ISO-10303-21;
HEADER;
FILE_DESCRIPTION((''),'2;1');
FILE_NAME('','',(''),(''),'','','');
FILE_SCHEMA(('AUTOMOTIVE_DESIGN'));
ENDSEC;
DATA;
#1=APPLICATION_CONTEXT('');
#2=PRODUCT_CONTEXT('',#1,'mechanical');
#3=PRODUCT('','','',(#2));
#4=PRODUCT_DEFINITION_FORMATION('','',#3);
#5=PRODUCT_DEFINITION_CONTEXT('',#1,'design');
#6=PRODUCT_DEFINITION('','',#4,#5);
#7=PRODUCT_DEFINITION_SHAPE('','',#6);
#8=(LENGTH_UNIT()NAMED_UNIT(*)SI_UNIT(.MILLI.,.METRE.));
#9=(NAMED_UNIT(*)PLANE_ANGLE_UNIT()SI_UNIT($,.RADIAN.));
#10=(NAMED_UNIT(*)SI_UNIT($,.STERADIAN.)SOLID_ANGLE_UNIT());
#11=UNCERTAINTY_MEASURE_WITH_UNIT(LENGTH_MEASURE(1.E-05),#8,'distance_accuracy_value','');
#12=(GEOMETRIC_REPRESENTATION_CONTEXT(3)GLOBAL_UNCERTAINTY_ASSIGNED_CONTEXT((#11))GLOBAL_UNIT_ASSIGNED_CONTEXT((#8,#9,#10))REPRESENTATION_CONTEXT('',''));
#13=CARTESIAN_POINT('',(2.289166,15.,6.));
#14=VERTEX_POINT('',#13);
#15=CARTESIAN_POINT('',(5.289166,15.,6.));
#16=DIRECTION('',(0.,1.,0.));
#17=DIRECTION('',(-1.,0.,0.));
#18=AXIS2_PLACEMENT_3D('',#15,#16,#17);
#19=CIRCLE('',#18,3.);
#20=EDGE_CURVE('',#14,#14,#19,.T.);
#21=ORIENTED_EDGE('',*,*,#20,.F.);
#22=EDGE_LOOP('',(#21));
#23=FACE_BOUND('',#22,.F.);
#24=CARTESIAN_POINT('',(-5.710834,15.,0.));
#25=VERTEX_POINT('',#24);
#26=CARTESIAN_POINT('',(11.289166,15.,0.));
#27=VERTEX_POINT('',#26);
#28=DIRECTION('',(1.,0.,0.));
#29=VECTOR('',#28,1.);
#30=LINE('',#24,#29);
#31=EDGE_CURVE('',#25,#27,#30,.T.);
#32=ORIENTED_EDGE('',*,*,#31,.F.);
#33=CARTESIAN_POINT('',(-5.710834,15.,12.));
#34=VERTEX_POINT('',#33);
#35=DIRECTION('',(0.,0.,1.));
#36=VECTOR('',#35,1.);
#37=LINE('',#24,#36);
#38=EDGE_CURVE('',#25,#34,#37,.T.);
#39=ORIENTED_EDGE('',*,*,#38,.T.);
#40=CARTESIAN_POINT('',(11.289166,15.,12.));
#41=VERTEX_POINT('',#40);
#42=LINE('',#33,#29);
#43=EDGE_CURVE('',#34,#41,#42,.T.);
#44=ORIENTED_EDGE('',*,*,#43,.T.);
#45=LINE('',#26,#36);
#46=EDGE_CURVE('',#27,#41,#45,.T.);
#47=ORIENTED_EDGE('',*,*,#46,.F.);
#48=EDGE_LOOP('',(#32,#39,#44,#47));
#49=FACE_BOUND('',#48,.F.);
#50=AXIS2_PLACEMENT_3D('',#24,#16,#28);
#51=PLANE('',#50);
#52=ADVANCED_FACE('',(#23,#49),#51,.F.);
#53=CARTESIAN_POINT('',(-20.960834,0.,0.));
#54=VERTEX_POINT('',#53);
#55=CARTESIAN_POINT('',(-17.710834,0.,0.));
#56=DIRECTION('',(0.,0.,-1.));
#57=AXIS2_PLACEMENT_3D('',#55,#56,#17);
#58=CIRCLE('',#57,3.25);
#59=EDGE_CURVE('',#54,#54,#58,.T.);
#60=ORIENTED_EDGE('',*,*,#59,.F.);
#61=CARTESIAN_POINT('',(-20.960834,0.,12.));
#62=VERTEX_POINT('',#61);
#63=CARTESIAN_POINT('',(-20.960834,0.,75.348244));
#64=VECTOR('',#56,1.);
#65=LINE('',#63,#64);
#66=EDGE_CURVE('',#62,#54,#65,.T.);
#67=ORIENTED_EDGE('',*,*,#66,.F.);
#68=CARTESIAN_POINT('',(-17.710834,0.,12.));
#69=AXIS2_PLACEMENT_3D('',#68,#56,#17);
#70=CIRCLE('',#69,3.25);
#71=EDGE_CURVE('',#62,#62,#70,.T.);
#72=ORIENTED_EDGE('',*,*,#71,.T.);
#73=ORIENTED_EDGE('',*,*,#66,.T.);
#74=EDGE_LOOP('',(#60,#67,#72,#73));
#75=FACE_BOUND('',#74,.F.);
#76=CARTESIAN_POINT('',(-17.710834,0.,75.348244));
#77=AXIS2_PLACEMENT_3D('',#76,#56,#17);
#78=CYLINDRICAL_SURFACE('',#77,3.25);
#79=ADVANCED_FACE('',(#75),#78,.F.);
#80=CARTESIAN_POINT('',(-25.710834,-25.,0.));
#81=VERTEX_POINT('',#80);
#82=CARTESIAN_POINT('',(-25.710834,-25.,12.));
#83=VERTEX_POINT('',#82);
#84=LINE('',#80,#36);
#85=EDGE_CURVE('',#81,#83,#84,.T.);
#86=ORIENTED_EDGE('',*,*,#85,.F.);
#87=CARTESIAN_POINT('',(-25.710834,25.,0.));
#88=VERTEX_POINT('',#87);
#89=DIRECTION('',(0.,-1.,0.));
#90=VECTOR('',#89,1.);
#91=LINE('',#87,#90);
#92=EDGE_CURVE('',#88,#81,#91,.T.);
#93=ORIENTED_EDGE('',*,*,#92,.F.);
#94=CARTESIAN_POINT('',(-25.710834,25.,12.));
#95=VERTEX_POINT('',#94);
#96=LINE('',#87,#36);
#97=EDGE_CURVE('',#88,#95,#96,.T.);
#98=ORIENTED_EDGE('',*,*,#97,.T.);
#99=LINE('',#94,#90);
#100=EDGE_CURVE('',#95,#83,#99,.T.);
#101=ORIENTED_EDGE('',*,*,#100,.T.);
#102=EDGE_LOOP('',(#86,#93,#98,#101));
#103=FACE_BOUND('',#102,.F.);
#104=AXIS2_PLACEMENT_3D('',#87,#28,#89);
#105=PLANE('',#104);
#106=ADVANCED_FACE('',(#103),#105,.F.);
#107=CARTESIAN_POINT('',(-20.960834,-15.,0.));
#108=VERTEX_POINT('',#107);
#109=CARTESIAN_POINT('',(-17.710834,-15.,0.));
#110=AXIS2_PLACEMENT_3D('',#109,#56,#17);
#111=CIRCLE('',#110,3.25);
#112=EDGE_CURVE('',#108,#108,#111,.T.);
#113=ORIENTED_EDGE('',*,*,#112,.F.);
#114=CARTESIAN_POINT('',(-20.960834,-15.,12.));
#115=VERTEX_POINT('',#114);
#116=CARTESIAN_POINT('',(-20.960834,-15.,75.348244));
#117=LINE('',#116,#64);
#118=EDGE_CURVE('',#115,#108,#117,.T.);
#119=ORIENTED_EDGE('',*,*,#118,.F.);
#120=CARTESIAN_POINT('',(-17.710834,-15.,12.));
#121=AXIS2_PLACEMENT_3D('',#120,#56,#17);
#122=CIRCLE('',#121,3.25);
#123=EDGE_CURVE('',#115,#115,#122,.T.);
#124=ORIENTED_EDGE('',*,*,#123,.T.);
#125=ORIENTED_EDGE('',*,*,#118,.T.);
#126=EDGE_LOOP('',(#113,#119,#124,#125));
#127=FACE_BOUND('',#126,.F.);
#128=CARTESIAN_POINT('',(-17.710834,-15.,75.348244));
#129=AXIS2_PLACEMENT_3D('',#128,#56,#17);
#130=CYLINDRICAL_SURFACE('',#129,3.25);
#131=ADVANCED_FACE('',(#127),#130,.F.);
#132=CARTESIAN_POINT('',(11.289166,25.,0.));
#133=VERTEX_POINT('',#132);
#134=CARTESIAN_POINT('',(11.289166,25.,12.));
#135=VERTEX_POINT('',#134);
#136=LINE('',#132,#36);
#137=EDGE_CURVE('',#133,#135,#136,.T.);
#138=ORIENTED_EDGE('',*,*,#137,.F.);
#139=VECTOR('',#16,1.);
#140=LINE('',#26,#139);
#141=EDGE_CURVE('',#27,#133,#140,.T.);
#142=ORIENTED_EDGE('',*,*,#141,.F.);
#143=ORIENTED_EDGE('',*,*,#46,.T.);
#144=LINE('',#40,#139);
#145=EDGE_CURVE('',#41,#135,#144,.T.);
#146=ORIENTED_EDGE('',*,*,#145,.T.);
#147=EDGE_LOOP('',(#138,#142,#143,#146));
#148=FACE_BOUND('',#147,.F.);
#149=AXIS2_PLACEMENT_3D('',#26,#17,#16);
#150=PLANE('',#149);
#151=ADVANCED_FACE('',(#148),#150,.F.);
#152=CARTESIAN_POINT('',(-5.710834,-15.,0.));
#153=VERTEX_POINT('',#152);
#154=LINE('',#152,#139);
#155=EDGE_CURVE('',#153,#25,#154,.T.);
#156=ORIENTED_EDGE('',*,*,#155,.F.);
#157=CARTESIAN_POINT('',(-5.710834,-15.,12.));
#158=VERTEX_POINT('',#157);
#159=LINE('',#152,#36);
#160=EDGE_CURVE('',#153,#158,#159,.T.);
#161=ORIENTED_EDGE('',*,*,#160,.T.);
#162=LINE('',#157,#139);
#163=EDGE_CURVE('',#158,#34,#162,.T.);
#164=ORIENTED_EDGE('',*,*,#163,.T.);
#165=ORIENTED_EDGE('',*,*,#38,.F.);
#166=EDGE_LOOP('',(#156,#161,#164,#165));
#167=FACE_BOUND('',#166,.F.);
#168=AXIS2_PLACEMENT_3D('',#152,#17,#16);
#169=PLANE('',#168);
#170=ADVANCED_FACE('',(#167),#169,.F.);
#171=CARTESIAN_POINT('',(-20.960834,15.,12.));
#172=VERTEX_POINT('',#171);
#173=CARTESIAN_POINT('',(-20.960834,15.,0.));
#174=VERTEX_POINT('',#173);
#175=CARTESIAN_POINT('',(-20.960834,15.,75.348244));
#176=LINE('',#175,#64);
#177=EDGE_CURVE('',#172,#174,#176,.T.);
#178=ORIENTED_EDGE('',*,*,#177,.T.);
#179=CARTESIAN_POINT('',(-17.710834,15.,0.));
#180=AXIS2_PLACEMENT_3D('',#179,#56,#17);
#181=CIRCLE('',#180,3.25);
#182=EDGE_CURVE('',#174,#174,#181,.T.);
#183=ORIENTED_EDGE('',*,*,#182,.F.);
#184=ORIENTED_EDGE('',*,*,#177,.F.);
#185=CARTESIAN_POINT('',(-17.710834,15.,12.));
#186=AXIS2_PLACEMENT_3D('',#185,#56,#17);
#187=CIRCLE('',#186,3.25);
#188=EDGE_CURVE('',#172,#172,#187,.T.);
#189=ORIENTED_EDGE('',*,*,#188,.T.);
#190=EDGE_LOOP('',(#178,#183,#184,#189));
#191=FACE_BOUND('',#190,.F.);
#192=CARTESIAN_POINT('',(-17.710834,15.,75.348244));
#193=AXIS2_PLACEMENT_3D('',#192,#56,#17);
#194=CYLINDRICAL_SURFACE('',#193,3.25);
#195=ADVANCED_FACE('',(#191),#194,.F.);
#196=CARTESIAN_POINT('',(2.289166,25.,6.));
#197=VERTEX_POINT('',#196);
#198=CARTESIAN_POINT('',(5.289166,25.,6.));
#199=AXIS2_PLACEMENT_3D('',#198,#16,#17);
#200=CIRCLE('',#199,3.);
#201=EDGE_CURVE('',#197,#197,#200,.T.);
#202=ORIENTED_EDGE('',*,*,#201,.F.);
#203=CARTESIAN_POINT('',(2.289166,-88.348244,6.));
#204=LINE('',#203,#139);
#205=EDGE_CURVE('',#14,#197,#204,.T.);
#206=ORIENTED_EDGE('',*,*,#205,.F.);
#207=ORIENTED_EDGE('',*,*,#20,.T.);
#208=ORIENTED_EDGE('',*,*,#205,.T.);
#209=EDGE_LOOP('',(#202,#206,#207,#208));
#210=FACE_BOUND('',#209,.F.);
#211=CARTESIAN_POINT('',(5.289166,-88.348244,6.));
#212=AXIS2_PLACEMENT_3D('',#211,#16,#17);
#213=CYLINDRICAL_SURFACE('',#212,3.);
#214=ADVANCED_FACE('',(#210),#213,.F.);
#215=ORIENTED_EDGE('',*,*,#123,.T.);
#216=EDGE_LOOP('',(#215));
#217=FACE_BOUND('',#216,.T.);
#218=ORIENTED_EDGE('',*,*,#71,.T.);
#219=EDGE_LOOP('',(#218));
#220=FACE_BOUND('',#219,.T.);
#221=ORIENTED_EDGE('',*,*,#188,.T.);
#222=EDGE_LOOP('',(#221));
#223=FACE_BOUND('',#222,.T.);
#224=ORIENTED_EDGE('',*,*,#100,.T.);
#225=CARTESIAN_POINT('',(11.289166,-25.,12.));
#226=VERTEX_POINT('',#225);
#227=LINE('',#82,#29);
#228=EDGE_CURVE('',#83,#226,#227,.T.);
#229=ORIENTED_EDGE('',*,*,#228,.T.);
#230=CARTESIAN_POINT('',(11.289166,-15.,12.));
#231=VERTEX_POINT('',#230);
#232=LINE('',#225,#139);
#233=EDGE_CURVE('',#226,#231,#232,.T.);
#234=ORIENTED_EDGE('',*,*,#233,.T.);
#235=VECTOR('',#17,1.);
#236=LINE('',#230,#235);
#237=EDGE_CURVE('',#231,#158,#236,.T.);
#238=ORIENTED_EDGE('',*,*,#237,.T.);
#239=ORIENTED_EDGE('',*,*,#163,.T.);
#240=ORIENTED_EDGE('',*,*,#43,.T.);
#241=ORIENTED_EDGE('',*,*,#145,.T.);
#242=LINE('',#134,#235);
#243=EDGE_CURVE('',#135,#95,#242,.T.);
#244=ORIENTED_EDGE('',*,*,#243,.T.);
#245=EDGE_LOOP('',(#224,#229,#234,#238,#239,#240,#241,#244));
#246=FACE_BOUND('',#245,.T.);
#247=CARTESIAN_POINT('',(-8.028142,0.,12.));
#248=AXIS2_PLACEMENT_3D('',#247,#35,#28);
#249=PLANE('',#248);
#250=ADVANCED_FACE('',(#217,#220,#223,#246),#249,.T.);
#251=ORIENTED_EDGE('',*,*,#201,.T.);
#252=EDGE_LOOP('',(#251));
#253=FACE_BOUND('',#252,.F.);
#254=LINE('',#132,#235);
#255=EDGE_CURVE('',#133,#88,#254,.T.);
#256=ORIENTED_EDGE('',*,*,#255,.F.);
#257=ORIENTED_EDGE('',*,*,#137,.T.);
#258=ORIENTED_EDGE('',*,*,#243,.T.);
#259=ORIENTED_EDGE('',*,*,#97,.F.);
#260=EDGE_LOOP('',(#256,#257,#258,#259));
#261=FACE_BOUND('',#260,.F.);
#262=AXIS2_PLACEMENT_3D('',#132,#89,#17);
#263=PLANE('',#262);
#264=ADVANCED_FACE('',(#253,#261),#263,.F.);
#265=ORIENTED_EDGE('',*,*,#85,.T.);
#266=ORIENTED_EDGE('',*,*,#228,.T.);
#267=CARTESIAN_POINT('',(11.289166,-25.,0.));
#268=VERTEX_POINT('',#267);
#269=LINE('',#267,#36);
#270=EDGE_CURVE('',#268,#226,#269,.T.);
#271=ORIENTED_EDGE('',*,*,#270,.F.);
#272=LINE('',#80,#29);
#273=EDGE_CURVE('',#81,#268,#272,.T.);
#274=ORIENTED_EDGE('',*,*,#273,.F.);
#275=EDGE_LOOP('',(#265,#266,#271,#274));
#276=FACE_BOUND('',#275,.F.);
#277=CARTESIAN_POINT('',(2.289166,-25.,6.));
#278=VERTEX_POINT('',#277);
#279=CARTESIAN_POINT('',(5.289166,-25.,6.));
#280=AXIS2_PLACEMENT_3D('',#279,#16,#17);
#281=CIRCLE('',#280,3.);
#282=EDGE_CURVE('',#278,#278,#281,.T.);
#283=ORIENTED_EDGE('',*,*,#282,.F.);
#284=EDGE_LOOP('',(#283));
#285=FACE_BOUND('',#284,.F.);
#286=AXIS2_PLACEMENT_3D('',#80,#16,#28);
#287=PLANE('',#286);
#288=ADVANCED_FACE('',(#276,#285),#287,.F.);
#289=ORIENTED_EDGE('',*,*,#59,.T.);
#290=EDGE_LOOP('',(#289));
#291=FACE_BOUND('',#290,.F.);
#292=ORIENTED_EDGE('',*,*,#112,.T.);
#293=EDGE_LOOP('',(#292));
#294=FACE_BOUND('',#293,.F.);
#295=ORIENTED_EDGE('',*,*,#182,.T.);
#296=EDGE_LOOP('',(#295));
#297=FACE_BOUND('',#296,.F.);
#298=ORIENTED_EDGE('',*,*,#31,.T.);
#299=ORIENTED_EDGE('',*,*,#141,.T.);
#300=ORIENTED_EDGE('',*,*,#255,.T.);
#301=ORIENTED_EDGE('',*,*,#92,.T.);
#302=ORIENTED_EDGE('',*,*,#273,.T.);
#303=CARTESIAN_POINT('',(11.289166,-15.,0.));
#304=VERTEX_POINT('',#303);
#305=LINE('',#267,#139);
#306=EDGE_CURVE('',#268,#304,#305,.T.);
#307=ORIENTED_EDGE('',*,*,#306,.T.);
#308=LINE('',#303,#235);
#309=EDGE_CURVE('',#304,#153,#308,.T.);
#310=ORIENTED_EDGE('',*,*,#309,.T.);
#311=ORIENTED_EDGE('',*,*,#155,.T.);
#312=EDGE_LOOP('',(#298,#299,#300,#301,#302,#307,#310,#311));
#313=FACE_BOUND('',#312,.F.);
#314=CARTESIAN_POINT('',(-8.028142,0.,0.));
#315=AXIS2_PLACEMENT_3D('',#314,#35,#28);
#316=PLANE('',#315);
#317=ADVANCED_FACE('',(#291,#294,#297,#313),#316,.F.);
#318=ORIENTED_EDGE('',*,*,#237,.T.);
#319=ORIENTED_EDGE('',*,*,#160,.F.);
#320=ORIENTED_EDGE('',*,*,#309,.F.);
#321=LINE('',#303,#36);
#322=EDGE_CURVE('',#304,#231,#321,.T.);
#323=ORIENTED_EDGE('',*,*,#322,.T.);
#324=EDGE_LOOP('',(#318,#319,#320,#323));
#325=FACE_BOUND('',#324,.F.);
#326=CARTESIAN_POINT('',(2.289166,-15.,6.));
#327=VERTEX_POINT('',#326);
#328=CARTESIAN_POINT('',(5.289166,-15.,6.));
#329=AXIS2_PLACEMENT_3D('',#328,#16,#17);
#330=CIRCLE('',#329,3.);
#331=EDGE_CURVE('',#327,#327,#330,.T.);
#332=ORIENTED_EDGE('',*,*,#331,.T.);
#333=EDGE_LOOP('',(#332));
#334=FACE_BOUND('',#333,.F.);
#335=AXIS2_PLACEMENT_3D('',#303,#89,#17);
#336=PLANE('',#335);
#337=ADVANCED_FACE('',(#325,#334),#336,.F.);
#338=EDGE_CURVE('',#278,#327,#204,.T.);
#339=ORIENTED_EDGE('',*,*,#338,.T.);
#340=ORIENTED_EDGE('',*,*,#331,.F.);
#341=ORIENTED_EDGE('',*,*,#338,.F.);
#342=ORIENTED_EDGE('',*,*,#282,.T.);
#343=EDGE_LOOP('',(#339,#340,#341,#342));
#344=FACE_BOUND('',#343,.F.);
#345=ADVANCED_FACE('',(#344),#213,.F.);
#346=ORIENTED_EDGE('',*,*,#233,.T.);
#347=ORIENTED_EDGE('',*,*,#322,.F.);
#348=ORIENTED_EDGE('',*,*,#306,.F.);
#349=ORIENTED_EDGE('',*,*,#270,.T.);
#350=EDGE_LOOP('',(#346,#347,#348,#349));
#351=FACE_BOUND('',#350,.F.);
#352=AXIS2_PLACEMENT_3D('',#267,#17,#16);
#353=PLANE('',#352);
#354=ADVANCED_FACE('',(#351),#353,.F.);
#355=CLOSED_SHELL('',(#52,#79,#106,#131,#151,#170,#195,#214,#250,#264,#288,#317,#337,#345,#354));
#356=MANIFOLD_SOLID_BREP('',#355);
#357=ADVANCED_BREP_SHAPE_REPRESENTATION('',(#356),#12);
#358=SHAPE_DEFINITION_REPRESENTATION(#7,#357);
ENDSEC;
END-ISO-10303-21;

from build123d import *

# Parameters (mm, degrees)
F1_DEPTH = 12
F3_D     = 6.5
F5_D     = 6


with BuildPart() as f1:
    # F0 (on Top) → F1 (new body)
    with BuildSketch(Plane.XY):
        Polygon((-25.710834, 25), (-25.710834, 0), (-25.710834, -25), (11.289166, -25), (11.289166, -15), (-5.710834, -15), (-5.710834, 0), (-5.710834, 15), (11.289166, 15), (11.289166, 25), align=None)
    extrude(amount=F1_DEPTH)

    # F3 (through all)
    with Locations(Plane.XY.offset(12)):
        with Locations((-17.710834, -15), (-17.710834, 0), (-17.710834, 15)):
            Hole(F3_D / 2)

    # F5 (through all)
    with Locations(Plane.XZ.offset(25)):
        with Locations((5.289166, 6)):
            Hole(F5_D / 2)


solid = f1.part
